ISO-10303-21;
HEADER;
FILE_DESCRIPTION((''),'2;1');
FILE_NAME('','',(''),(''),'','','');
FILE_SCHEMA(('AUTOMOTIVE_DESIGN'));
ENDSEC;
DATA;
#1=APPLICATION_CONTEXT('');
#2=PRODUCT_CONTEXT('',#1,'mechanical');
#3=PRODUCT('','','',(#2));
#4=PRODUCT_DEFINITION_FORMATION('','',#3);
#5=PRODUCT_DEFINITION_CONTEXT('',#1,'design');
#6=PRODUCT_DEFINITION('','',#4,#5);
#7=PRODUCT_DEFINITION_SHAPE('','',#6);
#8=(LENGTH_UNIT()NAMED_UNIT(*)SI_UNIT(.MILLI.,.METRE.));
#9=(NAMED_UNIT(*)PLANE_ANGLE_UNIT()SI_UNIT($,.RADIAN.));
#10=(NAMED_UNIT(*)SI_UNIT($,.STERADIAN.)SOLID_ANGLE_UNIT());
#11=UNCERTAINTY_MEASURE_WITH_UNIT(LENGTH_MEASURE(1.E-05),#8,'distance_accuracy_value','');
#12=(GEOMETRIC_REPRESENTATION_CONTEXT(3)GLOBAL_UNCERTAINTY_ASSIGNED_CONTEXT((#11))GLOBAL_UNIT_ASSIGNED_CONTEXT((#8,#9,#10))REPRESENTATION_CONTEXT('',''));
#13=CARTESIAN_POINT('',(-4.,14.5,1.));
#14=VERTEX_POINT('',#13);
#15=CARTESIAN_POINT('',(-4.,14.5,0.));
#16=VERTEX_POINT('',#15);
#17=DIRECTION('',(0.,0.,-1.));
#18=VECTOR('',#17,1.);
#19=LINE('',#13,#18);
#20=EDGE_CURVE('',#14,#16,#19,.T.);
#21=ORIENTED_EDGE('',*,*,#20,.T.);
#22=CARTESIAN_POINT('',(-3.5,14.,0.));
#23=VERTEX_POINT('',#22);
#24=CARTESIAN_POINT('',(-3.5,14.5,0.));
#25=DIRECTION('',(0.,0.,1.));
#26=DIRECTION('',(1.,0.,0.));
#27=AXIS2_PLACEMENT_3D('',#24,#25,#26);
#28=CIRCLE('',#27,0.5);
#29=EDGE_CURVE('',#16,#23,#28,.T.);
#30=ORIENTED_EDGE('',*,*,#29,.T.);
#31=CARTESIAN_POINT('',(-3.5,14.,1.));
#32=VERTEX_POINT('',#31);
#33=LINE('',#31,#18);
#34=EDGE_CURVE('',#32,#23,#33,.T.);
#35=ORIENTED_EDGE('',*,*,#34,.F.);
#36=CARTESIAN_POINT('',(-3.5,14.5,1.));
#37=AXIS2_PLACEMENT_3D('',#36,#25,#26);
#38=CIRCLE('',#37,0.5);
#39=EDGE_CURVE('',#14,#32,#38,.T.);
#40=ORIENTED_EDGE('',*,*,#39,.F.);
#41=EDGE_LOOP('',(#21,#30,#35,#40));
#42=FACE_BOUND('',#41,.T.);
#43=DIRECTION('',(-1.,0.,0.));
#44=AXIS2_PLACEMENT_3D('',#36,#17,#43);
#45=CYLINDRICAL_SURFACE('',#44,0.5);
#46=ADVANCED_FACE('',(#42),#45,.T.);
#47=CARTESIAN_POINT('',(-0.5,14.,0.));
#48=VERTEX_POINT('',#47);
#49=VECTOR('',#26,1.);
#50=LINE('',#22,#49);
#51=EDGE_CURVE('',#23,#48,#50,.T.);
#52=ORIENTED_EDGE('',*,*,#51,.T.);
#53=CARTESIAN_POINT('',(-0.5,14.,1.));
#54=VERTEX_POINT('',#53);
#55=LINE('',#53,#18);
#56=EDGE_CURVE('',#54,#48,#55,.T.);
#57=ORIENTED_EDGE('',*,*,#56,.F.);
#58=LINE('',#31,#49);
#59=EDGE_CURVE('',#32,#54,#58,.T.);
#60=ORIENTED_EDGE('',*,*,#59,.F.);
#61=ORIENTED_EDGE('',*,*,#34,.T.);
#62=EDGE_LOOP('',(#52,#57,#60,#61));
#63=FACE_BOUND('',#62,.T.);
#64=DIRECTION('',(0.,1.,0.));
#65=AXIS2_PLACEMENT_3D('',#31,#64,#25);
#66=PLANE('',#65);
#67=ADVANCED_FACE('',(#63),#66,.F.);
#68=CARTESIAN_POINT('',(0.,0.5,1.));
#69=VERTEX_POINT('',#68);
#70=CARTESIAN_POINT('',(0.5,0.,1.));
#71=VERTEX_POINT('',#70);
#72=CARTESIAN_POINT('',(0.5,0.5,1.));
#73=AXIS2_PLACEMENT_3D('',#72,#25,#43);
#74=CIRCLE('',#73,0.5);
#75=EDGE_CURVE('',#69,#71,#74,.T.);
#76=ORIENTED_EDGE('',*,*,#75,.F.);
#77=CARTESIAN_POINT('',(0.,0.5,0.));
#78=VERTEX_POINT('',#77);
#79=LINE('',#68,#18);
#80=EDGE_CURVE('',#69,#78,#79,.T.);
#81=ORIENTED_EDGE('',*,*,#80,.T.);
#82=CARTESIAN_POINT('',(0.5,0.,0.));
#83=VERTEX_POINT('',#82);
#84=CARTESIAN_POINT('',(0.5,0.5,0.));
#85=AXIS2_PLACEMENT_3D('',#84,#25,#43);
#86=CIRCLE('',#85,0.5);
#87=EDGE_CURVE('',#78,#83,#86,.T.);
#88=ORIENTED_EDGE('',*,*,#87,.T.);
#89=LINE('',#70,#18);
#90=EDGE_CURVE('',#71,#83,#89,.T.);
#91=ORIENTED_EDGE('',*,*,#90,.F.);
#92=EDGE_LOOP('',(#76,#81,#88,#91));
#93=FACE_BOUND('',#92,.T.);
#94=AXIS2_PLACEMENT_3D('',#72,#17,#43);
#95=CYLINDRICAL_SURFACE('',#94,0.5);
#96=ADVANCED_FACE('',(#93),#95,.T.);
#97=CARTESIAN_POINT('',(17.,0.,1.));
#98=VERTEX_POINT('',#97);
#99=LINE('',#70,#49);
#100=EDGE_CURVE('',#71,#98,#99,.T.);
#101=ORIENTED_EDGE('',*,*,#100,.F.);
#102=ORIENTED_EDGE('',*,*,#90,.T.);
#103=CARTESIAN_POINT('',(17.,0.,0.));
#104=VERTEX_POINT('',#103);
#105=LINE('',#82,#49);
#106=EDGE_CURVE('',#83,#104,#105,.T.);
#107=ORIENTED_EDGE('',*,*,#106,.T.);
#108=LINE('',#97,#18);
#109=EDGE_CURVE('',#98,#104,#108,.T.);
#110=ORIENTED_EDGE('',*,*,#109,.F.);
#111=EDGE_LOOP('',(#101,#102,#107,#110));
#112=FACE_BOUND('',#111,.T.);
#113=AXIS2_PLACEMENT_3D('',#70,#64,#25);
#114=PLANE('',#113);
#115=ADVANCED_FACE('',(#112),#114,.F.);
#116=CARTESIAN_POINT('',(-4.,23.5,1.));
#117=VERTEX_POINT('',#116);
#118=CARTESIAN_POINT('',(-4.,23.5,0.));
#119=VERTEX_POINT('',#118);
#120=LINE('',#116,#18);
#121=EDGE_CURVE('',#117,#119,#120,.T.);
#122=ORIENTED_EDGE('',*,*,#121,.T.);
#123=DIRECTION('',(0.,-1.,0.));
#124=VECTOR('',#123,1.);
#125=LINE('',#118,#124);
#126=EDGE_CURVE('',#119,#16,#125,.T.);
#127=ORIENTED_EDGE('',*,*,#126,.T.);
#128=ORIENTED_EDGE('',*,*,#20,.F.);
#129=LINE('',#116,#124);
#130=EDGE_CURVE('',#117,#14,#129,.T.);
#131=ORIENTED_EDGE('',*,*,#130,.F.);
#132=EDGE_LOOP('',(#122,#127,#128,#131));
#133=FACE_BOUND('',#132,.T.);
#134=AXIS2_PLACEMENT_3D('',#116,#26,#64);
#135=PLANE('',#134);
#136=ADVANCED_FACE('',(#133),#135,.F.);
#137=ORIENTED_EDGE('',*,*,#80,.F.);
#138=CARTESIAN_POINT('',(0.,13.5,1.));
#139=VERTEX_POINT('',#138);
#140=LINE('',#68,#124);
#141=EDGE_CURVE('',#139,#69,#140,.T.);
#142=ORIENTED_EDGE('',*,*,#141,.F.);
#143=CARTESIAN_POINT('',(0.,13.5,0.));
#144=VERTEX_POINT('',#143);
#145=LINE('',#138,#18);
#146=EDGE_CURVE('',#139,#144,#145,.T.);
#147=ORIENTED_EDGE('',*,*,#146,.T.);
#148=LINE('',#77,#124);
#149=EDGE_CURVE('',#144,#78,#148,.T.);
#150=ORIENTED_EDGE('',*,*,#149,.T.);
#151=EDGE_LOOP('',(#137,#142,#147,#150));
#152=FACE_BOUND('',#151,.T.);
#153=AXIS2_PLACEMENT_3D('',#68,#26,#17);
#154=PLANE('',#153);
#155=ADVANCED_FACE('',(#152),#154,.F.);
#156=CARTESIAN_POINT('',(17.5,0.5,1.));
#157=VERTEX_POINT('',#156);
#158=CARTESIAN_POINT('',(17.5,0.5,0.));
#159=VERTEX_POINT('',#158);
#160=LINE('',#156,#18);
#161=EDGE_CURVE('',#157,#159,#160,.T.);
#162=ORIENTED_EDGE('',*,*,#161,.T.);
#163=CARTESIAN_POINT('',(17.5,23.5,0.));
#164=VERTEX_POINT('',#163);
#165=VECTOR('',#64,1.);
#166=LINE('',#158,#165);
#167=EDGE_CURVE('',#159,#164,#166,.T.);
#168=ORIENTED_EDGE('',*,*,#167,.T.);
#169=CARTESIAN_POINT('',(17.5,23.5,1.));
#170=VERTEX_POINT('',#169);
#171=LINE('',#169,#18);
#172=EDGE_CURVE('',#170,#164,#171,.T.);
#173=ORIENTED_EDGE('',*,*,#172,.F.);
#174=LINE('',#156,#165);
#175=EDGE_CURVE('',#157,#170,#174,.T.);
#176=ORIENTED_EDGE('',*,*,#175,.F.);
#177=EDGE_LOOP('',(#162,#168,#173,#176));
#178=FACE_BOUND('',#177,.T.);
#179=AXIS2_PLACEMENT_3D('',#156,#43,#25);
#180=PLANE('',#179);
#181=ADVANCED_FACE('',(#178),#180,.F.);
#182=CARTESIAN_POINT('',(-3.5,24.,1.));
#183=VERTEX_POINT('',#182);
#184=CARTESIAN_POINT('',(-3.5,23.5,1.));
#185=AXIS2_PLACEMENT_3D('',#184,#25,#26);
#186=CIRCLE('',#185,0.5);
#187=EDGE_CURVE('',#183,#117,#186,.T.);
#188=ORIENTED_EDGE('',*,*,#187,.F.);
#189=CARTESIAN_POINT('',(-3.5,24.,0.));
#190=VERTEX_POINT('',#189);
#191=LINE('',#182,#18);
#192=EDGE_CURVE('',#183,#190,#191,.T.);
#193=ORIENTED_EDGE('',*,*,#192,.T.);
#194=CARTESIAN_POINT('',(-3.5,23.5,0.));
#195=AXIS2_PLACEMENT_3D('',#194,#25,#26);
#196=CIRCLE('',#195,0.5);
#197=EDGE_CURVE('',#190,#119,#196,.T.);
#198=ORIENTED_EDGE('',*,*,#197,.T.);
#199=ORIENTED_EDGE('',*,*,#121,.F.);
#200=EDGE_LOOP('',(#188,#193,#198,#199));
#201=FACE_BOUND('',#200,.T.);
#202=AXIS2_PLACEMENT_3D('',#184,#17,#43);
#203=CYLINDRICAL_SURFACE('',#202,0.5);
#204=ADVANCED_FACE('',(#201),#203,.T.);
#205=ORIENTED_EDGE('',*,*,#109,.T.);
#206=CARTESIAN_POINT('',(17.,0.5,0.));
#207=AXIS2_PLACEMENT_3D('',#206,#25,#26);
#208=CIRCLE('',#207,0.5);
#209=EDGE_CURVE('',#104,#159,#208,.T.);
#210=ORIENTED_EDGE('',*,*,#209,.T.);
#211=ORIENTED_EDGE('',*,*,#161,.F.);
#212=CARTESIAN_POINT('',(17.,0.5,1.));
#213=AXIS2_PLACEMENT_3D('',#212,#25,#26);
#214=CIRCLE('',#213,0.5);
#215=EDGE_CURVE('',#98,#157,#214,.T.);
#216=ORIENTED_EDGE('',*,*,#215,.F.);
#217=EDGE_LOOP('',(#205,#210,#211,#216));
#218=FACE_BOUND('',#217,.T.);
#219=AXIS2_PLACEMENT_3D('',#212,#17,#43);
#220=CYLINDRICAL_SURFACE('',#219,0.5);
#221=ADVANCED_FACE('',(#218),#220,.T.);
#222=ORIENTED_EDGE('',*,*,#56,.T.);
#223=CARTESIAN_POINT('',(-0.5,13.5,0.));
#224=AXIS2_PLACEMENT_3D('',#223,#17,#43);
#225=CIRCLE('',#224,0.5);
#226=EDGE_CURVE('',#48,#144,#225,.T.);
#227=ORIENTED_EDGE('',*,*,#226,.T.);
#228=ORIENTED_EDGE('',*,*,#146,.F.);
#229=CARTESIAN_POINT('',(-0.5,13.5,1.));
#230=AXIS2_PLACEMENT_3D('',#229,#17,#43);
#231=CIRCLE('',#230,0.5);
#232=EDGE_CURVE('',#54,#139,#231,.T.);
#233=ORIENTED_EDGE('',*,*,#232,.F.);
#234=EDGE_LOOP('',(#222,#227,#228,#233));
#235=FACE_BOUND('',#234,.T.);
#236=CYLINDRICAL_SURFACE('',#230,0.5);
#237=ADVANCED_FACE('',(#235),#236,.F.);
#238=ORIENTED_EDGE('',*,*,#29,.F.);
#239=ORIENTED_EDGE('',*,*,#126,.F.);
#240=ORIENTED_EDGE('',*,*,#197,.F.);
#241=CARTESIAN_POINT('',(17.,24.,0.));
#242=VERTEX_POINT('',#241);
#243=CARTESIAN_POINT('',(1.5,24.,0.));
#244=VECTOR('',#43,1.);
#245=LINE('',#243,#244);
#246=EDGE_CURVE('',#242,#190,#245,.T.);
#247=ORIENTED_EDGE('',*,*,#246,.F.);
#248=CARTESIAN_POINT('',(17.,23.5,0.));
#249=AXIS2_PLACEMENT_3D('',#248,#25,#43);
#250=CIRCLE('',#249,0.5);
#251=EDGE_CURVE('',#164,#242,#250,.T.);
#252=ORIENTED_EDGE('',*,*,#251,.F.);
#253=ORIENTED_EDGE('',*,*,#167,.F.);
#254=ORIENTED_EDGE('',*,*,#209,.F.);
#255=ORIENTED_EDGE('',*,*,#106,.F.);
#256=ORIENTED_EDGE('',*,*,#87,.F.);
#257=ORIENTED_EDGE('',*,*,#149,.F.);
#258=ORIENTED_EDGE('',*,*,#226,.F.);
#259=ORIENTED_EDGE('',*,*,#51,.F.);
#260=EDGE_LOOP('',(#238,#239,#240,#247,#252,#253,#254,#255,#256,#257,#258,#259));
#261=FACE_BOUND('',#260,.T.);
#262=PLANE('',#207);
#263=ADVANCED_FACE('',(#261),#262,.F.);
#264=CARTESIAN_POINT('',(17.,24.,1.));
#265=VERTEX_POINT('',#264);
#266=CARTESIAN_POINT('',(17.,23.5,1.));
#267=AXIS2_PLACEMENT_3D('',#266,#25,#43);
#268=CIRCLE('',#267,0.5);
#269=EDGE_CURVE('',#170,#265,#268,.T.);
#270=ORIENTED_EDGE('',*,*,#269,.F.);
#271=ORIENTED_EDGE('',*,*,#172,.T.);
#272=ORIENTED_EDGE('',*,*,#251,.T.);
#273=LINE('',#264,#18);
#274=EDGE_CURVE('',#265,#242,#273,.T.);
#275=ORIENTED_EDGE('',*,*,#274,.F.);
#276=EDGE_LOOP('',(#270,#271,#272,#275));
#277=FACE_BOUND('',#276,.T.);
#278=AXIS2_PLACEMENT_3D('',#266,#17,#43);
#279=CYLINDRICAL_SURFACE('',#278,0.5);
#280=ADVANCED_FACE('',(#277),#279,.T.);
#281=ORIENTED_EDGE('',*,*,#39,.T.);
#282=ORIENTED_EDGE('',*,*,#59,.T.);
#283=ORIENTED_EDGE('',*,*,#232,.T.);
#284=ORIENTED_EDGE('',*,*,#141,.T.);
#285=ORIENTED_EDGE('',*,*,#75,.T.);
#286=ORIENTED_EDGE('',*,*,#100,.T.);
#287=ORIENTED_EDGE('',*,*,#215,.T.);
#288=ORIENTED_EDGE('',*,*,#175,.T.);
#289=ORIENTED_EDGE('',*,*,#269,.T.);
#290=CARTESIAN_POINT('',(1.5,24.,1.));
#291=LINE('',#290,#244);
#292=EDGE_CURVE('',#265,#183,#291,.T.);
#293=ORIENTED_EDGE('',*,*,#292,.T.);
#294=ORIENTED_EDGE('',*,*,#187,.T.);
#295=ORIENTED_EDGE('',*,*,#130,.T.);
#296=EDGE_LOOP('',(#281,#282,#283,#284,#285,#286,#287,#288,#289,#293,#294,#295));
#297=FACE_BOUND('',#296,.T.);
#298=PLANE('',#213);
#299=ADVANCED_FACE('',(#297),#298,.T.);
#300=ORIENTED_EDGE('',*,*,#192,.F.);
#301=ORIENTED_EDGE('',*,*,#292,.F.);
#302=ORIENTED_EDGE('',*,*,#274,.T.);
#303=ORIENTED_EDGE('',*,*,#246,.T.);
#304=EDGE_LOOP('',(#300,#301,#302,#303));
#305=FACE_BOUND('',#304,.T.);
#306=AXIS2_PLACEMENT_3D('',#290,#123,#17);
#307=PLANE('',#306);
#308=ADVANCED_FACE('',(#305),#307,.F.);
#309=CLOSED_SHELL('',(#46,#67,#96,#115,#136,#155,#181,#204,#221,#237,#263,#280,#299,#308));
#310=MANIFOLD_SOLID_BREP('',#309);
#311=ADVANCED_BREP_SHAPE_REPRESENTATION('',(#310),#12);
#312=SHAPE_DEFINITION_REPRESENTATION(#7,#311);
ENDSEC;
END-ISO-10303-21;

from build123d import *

# Parameters (mm, degrees)
EXTRUDE_1_DEPTH = 1


with BuildPart() as part:
    # 草图1 → 凸台-拉伸1 (new body)
    with BuildSketch(Plane.XY):
        with BuildLine():
            Line((1.5, 24), (-3.5, 24))
            ThreePointArc((-3.5, 24), (-3.853553391, 23.853553391), (-4, 23.5))
            Line((-4, 23.5), (-4, 14.5))
            ThreePointArc((-4, 14.5), (-3.853553391, 14.146446609), (-3.5, 14))
            Line((-3.5, 14), (-0.5, 14))
            ThreePointArc((-0.5, 14), (-0.146446609, 13.853553391), (0, 13.5))
            Line((0, 13.5), (0, 0.5))
            ThreePointArc((0, 0.5), (0.146446609, 0.146446609), (0.5, 0))
            Line((0.5, 0), (17, 0))
            ThreePointArc((17, 0), (17.353553391, 0.146446609), (17.5, 0.5))
            Line((17.5, 0.5), (17.5, 23.5))
            ThreePointArc((17.5, 23.5), (17.353553391, 23.853553391), (17, 24))
            Line((17, 24), (1.5, 24))
        make_face()
    extrude(amount=EXTRUDE_1_DEPTH)


solid = part.part
